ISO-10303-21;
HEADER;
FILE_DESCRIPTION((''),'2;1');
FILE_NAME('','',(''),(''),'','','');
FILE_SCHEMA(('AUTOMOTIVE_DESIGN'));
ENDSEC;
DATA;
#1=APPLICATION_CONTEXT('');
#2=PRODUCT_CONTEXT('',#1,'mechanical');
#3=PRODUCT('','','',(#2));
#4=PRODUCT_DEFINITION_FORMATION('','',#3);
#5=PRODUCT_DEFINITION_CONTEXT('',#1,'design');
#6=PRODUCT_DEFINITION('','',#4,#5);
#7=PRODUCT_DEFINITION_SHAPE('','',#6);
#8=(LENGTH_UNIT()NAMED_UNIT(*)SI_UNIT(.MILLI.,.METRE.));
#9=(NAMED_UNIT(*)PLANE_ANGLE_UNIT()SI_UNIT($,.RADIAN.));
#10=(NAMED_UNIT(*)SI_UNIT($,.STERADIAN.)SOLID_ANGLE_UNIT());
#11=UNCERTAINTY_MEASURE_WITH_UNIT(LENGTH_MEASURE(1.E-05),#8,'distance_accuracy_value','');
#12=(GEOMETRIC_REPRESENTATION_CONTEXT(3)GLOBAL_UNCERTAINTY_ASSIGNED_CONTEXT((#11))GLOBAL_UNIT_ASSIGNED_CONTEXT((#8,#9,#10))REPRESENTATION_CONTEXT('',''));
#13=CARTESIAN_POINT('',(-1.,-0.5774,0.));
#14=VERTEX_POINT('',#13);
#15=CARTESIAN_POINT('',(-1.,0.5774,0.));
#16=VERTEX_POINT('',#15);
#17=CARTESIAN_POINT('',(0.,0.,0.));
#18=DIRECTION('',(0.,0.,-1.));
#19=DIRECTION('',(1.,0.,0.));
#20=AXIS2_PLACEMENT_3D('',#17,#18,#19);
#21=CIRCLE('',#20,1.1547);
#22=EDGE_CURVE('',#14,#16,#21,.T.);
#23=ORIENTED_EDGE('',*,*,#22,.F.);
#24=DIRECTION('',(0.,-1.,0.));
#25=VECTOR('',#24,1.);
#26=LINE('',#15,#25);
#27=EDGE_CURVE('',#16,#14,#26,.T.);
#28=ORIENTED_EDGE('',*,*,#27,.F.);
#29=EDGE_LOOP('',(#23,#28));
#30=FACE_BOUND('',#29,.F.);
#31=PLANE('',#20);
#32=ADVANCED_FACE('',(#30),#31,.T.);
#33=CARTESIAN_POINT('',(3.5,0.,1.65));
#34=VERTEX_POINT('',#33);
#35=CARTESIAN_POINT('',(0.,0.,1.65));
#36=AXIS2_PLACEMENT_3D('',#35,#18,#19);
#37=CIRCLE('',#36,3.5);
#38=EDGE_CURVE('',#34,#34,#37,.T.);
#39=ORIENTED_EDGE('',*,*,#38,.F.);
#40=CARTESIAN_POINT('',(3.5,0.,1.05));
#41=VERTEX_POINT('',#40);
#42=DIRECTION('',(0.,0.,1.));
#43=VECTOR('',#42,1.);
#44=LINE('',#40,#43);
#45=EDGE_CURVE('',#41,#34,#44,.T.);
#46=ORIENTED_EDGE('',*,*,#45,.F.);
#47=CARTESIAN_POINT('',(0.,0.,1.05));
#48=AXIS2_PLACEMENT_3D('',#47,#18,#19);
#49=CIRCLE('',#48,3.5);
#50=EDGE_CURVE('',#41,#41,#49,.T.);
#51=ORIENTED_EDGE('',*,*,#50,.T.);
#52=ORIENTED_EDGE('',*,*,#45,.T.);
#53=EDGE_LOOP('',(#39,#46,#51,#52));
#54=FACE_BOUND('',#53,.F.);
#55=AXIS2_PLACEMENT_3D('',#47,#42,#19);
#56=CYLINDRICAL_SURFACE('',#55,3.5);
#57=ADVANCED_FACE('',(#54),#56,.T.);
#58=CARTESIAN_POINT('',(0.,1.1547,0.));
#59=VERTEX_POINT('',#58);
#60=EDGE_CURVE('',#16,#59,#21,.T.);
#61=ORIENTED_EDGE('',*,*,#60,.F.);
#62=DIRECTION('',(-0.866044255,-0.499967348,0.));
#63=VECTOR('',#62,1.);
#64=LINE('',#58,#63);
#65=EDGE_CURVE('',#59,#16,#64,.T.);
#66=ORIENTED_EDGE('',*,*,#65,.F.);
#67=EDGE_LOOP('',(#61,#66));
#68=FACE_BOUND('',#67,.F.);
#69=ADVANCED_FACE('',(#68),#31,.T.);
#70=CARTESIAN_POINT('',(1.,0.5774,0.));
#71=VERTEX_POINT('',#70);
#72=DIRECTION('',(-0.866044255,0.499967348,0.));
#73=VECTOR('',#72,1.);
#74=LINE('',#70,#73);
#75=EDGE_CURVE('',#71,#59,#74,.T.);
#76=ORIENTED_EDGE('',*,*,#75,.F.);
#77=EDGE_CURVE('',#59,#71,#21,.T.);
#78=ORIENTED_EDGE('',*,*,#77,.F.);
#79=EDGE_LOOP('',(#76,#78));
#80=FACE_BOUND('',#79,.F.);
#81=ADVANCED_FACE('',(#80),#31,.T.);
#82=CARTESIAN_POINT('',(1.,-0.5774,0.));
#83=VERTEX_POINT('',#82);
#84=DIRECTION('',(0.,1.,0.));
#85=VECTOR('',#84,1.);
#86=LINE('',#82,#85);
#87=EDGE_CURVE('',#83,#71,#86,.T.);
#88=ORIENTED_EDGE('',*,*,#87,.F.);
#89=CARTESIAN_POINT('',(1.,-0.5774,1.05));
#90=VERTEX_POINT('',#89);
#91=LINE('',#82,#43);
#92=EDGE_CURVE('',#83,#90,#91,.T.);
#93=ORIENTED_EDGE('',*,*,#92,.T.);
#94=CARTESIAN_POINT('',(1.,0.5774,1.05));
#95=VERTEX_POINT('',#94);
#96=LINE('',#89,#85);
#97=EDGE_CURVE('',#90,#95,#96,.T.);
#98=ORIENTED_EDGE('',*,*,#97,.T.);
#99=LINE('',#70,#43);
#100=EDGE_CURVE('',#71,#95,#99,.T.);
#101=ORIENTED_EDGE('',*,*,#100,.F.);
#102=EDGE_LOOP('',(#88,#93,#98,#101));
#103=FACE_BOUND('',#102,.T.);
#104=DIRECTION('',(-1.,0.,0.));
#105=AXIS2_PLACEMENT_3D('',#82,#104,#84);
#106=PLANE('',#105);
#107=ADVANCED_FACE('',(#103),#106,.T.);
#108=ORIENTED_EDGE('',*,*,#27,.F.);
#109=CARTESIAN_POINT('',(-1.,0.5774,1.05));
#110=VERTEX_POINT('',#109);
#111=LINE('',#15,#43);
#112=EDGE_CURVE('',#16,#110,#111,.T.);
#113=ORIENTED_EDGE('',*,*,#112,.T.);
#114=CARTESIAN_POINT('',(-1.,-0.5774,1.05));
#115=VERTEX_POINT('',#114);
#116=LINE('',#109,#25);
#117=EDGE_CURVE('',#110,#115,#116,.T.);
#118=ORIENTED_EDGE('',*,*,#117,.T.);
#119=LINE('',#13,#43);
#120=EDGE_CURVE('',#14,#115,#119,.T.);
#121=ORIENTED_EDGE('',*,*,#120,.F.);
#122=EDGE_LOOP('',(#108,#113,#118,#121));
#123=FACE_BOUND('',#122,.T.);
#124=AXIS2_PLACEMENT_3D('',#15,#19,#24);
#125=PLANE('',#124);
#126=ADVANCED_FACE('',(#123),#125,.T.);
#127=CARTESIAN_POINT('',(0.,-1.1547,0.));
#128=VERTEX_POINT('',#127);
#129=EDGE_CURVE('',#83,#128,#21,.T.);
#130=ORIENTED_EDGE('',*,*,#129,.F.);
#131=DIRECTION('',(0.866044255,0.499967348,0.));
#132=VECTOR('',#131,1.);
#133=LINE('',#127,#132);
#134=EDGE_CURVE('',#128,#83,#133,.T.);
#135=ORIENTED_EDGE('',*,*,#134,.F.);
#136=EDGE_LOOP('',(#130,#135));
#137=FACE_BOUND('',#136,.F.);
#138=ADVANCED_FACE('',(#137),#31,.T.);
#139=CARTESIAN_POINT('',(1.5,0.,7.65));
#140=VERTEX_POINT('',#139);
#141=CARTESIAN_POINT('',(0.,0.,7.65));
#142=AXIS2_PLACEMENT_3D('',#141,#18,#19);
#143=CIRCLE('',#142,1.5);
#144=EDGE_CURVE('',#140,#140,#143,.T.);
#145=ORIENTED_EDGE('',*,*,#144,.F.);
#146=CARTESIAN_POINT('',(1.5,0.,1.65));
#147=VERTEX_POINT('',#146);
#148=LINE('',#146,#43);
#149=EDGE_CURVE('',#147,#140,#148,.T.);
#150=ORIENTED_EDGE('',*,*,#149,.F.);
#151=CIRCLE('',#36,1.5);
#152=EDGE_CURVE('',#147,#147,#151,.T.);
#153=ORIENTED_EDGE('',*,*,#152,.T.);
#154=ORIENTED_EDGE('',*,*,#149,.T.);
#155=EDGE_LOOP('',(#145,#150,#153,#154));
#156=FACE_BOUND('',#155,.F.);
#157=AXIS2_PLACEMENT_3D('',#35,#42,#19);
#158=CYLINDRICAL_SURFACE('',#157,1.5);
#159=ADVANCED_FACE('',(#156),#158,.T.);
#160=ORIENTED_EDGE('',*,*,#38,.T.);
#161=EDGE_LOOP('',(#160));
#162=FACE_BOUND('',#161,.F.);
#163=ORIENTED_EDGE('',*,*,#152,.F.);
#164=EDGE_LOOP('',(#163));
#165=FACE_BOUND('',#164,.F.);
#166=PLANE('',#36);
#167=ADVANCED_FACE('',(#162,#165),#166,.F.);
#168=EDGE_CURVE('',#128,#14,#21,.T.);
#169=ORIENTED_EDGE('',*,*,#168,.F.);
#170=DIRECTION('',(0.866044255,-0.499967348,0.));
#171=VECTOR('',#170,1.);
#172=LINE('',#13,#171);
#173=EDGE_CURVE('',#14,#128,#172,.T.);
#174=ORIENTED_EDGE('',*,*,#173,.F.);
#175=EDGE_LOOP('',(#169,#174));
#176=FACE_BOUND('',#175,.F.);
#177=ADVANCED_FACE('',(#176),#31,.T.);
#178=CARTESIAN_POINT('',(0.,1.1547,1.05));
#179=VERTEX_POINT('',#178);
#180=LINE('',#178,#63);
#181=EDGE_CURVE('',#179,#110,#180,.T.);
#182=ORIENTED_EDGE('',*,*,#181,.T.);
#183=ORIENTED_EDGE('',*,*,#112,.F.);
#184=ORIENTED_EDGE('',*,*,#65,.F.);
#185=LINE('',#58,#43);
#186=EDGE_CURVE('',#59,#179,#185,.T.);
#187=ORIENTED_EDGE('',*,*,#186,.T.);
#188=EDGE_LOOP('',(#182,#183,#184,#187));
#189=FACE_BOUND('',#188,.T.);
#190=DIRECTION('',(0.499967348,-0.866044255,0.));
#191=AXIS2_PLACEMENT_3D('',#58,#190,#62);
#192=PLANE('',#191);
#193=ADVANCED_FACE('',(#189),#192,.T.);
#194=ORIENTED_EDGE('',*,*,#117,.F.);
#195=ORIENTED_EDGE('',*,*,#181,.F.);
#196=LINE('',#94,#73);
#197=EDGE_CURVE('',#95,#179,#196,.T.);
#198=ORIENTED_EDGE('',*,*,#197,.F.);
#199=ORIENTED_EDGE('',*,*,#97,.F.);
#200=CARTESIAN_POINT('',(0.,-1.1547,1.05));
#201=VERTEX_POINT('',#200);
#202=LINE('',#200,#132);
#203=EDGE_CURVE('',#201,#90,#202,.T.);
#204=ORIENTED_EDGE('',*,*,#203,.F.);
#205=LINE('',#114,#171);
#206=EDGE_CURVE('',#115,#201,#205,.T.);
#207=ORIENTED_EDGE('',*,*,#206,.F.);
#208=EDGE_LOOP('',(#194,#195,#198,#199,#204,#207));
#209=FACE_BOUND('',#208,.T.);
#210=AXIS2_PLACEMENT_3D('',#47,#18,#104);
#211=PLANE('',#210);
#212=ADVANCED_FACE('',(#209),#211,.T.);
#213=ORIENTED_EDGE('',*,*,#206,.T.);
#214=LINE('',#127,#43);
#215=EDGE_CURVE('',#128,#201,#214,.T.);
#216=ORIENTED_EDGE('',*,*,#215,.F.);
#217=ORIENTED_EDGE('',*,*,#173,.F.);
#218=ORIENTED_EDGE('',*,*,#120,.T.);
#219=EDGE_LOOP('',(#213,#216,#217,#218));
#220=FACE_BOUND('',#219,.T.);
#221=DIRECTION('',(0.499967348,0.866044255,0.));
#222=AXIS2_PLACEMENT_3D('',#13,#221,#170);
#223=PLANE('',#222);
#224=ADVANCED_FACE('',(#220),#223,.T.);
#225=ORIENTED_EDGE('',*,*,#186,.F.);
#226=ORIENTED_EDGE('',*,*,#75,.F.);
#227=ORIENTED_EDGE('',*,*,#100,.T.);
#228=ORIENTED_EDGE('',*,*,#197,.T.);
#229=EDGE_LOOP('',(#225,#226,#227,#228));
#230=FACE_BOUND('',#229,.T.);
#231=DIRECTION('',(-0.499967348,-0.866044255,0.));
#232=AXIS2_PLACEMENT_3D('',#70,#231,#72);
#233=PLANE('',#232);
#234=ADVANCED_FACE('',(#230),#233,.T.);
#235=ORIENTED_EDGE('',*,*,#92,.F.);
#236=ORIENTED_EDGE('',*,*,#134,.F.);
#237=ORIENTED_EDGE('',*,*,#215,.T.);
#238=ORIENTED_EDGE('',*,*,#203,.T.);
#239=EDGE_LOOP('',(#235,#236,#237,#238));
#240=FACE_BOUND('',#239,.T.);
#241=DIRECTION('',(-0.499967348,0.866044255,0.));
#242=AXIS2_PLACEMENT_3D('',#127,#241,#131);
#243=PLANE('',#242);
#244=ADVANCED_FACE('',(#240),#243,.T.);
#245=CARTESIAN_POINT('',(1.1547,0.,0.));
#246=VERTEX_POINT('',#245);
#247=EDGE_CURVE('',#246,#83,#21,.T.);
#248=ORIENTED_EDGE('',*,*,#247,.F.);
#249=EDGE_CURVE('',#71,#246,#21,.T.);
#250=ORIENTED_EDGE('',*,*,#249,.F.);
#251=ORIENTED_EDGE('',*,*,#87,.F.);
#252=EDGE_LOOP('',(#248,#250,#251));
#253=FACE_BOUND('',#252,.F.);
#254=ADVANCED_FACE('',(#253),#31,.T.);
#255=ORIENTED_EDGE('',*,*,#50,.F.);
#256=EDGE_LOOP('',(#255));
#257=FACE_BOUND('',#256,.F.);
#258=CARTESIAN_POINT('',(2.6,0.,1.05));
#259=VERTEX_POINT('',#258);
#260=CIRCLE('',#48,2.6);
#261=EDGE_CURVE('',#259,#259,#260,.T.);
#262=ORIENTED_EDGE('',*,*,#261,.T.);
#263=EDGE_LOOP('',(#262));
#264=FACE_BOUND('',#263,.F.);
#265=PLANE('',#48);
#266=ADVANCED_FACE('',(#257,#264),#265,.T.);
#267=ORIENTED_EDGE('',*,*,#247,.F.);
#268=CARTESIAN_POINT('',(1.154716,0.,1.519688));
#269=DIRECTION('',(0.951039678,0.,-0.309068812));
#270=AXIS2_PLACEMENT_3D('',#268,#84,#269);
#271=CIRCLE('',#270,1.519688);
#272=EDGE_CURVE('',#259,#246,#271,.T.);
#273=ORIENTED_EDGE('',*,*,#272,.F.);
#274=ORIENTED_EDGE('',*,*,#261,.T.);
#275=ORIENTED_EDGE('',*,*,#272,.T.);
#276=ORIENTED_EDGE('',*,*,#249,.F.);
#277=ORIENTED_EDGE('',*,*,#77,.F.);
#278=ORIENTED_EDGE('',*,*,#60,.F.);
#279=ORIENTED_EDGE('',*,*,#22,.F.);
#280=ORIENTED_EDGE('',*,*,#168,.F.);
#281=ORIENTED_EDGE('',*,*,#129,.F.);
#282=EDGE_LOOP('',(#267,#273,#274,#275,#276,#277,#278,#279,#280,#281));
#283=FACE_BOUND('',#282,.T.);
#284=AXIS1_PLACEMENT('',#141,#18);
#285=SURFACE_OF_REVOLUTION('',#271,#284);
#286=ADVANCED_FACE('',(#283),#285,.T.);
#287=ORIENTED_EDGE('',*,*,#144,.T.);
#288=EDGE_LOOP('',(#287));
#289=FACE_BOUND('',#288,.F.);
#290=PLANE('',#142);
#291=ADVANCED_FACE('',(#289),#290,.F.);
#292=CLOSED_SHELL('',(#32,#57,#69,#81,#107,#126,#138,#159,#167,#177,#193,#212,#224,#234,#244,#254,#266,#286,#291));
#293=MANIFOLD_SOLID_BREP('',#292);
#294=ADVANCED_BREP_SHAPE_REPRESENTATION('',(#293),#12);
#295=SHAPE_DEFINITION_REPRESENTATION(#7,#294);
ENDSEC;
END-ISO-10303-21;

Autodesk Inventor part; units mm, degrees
ref_plane "YZ Plane" through (0, 0, 0) normal (1, 0, 0) x (0, 1, 0)
ref_plane "XZ Plane" through (0, 0, 0) normal (0, 1, 0) x (-1, 0, 0)
ref_plane "XY Plane" through (0, 0, 0) normal (0, 0, 1) x (1, 0, 0)
sketch "スケッチ1" plane through (0, 0, 0) normal (0, 1, 0) x (-1, 0, 0)
  line L0 (0, 0) -> (-1.1547, 0)
  line L1 (-2.6, 1.05) -> (-3.5, 1.05)
  line L2 (-3.5, 1.05) -> (-3.5, 1.65)
  line L3 (-3.5, 1.65) -> (-1.5, 1.65)
  line L4 (-1.5, 1.65) -> (-1.5, 7.65)
  line L5 (-1.5, 7.65) -> (0, 7.65)
  line L6 (0, 7.65) -> (0, 0)
  arc A0 (-2.6, 1.05) -> (-1.1547, 0) centre (-1.1547, 1.5197) ccw
  dimension "d0" = 5.2
  dimension "d1" = 7
  dimension "d3" = 1.65
  dimension "d4" = 0.6
  dimension "d5" = 2.3094
  dimension "d6" = 6
  dimension "d7" = 3
revolve "回転1" add sketch "スケッチ1" angle 360 about axis through (0, 0, 7.65) along (0, 0, -1)
thread "ねじ1" size "M3x0.5" class "6g" standard "ANSI Metric M Profile" length 7.57
sketch "スケッチ2" plane through (0, 0, 0) normal (0, 0, -1) x (-1, 0, 0)
  circle A0 centre (0, 0) radius 1.1547 projected
  line L0 (0, 1.1547) -> (1, 0.5774)
  line L1 (1, 0.5774) -> (1, -0.5774)
  line L2 (1, -0.5774) -> (0, -1.1547)
  line L3 (0, -1.1547) -> (-1, -0.5774)
  line L4 (-1, -0.5774) -> (-1, 0.5774)
  line L5 (-1, 0.5774) -> (0, 1.1547)
  point P0 (0, 0)
  point P1 (0, 0)
extrude "押し出し1" cut sketch "スケッチ2" against normal blind 1.05 contours L1 L2 L3 L4 L5 L0
properties part number "620103006" material "ステンレス鋼 AISI 304"
